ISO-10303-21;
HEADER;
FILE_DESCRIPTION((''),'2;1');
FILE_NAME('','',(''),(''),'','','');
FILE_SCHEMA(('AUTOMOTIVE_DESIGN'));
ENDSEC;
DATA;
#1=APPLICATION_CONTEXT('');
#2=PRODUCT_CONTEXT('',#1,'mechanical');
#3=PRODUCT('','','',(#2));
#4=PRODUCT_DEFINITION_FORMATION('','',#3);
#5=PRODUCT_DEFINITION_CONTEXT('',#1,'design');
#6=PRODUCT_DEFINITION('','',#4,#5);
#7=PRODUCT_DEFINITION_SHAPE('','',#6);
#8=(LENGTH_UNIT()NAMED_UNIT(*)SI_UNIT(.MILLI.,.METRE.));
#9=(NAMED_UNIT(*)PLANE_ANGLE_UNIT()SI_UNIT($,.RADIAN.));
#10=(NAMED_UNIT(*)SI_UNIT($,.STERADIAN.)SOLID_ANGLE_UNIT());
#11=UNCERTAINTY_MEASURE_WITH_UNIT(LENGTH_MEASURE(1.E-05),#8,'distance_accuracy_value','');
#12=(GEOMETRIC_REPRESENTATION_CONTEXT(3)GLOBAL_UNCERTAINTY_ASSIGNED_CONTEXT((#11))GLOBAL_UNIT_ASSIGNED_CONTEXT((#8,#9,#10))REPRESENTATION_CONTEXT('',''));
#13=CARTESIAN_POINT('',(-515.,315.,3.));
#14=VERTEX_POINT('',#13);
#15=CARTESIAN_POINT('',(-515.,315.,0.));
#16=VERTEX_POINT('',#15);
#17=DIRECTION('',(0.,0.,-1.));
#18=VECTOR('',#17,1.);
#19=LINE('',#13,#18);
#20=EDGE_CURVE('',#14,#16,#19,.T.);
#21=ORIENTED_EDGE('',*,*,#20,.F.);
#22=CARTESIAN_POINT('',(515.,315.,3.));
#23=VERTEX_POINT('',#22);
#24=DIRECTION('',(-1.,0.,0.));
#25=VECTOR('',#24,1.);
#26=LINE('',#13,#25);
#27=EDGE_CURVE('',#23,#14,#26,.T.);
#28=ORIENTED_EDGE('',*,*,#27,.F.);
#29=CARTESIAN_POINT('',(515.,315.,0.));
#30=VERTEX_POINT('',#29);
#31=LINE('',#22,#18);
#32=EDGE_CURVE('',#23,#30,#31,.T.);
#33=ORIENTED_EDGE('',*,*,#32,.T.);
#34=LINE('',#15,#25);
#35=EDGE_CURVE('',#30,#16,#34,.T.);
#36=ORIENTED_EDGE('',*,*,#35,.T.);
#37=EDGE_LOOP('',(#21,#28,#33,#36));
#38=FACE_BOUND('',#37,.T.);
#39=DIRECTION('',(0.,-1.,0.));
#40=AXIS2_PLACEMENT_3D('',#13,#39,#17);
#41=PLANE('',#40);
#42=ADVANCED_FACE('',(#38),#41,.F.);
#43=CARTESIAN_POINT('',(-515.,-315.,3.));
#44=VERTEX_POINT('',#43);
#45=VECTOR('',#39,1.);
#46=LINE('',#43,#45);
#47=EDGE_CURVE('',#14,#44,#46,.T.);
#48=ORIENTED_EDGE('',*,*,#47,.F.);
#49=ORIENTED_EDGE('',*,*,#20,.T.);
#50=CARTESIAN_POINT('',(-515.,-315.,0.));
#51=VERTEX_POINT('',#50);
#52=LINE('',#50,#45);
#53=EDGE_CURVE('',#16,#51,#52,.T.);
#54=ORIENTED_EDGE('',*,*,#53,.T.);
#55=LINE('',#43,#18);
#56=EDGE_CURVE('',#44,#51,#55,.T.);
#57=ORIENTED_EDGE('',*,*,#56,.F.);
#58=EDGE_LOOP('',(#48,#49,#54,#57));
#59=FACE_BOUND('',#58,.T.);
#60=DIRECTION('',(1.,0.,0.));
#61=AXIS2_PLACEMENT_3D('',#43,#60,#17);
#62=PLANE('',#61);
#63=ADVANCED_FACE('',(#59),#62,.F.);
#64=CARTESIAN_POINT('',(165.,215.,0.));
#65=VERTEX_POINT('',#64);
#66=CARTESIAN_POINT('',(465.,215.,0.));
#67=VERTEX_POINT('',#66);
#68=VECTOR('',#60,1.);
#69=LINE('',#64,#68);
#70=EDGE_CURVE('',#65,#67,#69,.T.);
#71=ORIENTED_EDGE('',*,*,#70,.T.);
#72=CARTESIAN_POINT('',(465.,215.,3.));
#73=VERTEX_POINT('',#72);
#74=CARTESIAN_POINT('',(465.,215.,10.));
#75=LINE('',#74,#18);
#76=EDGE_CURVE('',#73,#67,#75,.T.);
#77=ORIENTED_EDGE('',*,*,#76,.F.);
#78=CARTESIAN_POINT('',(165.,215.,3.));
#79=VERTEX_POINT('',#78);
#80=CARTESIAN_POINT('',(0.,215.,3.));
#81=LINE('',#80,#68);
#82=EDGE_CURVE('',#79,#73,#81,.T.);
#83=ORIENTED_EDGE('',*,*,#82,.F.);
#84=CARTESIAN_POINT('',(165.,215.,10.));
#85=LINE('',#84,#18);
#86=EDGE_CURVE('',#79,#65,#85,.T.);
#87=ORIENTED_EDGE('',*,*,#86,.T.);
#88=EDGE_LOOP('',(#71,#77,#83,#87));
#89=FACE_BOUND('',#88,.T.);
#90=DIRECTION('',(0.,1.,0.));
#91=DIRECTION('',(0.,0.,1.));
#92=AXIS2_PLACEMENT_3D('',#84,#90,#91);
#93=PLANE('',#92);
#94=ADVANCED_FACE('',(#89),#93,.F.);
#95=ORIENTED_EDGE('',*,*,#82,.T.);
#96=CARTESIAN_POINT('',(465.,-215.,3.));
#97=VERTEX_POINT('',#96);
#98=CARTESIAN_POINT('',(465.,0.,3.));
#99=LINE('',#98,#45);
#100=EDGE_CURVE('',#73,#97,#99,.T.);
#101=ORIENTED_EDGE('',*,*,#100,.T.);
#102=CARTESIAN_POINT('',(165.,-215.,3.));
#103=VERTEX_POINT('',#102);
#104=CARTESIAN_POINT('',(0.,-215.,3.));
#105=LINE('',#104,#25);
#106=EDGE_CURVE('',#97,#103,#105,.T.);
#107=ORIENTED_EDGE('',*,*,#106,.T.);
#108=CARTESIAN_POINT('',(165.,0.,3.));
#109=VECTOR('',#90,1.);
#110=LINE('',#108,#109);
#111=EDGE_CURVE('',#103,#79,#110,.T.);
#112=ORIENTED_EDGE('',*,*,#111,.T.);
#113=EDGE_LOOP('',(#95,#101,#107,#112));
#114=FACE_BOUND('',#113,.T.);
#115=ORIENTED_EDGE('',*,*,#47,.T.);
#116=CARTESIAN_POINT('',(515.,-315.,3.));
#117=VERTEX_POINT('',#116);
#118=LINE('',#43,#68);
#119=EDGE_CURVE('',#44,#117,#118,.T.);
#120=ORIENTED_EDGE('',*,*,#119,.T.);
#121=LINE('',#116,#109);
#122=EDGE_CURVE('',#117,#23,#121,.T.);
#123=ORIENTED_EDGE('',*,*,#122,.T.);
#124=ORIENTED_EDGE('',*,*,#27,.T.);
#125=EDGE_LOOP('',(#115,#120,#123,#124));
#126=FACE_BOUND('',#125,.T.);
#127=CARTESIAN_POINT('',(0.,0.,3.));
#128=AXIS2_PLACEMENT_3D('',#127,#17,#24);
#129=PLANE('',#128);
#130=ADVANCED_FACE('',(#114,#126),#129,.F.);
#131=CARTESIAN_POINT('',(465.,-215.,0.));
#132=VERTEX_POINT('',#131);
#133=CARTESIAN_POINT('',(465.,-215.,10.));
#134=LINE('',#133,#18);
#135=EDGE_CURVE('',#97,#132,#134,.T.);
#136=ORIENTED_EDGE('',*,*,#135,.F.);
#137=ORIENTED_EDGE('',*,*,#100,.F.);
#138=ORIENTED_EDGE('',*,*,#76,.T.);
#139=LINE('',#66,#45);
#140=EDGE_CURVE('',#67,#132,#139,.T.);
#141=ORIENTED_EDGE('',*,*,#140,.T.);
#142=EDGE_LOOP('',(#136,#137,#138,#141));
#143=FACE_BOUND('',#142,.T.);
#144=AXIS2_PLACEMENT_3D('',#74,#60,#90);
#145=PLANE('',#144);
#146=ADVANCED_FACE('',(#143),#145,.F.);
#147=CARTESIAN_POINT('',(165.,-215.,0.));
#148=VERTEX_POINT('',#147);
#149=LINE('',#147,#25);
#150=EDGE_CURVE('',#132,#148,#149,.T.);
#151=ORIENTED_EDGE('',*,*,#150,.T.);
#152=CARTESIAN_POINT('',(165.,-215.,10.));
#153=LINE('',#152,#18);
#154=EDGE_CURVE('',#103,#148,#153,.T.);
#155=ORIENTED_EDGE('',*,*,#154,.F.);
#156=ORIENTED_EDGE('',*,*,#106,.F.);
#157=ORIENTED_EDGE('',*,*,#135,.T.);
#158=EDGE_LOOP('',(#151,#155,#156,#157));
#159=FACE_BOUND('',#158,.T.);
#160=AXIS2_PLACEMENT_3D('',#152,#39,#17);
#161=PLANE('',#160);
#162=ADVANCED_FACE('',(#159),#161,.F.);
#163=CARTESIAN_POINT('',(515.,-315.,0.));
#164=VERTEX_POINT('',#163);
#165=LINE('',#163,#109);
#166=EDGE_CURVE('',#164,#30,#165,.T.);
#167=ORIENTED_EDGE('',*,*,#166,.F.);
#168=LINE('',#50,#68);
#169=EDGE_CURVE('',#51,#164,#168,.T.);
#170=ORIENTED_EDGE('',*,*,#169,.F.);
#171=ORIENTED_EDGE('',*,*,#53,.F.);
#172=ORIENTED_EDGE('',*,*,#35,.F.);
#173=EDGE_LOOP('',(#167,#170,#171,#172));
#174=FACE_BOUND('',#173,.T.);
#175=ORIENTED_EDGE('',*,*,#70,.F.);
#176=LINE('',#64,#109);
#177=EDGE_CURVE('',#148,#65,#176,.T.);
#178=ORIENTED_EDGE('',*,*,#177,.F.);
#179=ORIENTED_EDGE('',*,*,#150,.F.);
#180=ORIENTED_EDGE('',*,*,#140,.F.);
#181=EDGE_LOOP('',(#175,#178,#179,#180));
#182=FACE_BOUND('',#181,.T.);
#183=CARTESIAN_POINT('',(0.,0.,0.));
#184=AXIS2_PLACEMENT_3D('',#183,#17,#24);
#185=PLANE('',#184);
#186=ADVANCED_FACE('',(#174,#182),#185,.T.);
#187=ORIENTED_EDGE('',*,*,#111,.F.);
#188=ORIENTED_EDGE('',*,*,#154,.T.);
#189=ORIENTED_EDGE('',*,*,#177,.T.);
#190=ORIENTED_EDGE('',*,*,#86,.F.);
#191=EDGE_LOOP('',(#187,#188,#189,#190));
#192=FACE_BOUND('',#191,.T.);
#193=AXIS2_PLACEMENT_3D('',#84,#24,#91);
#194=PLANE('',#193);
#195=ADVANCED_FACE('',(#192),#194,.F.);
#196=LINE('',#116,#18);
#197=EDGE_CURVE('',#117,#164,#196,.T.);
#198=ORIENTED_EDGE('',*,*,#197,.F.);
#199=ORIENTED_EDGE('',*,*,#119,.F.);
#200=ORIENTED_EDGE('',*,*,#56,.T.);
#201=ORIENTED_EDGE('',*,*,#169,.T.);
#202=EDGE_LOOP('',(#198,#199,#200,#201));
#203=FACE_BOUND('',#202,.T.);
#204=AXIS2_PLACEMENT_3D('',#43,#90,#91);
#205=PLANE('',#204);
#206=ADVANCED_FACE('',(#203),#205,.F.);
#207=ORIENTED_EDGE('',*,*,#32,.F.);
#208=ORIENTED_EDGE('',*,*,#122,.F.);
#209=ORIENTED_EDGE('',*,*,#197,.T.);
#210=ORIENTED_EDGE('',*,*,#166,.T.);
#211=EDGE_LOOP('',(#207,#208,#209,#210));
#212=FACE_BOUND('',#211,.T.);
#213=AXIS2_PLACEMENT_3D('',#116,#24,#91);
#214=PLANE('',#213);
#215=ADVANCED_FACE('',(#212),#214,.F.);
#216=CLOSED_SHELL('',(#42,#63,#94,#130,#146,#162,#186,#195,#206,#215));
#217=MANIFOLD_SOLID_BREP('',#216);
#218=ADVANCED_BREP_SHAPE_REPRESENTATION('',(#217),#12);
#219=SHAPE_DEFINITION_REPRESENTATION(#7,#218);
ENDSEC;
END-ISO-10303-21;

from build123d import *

# Parameters (mm, degrees)
ESQUISSE1_W             = 1030
ESQUISSE1_H             = 630
BOSS_EXTRU_1_DEPTH      = 3
ESQUISSE2_W             = 300
ESQUISSE2_H             = 430
ENL_V_MAT_EXTRU_1_DEPTH = 10


with BuildPart() as part:
    # Esquisse1 → Boss.-Extru.1 (new body)
    with BuildSketch(Plane.XY):
        Rectangle(ESQUISSE1_W, ESQUISSE1_H)
    extrude(amount=BOSS_EXTRU_1_DEPTH)

    # Esquisse2 → Enlèv. mat.-Extru.1 (cut)
    with BuildSketch(Plane(origin=(0, 0, 0), x_dir=(-1, 0, 0), z_dir=(0, 0, -1))):
        with Locations((-315, 0)):
            Rectangle(ESQUISSE2_W, ESQUISSE2_H)
    extrude(amount=-ENL_V_MAT_EXTRU_1_DEPTH, mode=Mode.SUBTRACT)


solid = part.part
